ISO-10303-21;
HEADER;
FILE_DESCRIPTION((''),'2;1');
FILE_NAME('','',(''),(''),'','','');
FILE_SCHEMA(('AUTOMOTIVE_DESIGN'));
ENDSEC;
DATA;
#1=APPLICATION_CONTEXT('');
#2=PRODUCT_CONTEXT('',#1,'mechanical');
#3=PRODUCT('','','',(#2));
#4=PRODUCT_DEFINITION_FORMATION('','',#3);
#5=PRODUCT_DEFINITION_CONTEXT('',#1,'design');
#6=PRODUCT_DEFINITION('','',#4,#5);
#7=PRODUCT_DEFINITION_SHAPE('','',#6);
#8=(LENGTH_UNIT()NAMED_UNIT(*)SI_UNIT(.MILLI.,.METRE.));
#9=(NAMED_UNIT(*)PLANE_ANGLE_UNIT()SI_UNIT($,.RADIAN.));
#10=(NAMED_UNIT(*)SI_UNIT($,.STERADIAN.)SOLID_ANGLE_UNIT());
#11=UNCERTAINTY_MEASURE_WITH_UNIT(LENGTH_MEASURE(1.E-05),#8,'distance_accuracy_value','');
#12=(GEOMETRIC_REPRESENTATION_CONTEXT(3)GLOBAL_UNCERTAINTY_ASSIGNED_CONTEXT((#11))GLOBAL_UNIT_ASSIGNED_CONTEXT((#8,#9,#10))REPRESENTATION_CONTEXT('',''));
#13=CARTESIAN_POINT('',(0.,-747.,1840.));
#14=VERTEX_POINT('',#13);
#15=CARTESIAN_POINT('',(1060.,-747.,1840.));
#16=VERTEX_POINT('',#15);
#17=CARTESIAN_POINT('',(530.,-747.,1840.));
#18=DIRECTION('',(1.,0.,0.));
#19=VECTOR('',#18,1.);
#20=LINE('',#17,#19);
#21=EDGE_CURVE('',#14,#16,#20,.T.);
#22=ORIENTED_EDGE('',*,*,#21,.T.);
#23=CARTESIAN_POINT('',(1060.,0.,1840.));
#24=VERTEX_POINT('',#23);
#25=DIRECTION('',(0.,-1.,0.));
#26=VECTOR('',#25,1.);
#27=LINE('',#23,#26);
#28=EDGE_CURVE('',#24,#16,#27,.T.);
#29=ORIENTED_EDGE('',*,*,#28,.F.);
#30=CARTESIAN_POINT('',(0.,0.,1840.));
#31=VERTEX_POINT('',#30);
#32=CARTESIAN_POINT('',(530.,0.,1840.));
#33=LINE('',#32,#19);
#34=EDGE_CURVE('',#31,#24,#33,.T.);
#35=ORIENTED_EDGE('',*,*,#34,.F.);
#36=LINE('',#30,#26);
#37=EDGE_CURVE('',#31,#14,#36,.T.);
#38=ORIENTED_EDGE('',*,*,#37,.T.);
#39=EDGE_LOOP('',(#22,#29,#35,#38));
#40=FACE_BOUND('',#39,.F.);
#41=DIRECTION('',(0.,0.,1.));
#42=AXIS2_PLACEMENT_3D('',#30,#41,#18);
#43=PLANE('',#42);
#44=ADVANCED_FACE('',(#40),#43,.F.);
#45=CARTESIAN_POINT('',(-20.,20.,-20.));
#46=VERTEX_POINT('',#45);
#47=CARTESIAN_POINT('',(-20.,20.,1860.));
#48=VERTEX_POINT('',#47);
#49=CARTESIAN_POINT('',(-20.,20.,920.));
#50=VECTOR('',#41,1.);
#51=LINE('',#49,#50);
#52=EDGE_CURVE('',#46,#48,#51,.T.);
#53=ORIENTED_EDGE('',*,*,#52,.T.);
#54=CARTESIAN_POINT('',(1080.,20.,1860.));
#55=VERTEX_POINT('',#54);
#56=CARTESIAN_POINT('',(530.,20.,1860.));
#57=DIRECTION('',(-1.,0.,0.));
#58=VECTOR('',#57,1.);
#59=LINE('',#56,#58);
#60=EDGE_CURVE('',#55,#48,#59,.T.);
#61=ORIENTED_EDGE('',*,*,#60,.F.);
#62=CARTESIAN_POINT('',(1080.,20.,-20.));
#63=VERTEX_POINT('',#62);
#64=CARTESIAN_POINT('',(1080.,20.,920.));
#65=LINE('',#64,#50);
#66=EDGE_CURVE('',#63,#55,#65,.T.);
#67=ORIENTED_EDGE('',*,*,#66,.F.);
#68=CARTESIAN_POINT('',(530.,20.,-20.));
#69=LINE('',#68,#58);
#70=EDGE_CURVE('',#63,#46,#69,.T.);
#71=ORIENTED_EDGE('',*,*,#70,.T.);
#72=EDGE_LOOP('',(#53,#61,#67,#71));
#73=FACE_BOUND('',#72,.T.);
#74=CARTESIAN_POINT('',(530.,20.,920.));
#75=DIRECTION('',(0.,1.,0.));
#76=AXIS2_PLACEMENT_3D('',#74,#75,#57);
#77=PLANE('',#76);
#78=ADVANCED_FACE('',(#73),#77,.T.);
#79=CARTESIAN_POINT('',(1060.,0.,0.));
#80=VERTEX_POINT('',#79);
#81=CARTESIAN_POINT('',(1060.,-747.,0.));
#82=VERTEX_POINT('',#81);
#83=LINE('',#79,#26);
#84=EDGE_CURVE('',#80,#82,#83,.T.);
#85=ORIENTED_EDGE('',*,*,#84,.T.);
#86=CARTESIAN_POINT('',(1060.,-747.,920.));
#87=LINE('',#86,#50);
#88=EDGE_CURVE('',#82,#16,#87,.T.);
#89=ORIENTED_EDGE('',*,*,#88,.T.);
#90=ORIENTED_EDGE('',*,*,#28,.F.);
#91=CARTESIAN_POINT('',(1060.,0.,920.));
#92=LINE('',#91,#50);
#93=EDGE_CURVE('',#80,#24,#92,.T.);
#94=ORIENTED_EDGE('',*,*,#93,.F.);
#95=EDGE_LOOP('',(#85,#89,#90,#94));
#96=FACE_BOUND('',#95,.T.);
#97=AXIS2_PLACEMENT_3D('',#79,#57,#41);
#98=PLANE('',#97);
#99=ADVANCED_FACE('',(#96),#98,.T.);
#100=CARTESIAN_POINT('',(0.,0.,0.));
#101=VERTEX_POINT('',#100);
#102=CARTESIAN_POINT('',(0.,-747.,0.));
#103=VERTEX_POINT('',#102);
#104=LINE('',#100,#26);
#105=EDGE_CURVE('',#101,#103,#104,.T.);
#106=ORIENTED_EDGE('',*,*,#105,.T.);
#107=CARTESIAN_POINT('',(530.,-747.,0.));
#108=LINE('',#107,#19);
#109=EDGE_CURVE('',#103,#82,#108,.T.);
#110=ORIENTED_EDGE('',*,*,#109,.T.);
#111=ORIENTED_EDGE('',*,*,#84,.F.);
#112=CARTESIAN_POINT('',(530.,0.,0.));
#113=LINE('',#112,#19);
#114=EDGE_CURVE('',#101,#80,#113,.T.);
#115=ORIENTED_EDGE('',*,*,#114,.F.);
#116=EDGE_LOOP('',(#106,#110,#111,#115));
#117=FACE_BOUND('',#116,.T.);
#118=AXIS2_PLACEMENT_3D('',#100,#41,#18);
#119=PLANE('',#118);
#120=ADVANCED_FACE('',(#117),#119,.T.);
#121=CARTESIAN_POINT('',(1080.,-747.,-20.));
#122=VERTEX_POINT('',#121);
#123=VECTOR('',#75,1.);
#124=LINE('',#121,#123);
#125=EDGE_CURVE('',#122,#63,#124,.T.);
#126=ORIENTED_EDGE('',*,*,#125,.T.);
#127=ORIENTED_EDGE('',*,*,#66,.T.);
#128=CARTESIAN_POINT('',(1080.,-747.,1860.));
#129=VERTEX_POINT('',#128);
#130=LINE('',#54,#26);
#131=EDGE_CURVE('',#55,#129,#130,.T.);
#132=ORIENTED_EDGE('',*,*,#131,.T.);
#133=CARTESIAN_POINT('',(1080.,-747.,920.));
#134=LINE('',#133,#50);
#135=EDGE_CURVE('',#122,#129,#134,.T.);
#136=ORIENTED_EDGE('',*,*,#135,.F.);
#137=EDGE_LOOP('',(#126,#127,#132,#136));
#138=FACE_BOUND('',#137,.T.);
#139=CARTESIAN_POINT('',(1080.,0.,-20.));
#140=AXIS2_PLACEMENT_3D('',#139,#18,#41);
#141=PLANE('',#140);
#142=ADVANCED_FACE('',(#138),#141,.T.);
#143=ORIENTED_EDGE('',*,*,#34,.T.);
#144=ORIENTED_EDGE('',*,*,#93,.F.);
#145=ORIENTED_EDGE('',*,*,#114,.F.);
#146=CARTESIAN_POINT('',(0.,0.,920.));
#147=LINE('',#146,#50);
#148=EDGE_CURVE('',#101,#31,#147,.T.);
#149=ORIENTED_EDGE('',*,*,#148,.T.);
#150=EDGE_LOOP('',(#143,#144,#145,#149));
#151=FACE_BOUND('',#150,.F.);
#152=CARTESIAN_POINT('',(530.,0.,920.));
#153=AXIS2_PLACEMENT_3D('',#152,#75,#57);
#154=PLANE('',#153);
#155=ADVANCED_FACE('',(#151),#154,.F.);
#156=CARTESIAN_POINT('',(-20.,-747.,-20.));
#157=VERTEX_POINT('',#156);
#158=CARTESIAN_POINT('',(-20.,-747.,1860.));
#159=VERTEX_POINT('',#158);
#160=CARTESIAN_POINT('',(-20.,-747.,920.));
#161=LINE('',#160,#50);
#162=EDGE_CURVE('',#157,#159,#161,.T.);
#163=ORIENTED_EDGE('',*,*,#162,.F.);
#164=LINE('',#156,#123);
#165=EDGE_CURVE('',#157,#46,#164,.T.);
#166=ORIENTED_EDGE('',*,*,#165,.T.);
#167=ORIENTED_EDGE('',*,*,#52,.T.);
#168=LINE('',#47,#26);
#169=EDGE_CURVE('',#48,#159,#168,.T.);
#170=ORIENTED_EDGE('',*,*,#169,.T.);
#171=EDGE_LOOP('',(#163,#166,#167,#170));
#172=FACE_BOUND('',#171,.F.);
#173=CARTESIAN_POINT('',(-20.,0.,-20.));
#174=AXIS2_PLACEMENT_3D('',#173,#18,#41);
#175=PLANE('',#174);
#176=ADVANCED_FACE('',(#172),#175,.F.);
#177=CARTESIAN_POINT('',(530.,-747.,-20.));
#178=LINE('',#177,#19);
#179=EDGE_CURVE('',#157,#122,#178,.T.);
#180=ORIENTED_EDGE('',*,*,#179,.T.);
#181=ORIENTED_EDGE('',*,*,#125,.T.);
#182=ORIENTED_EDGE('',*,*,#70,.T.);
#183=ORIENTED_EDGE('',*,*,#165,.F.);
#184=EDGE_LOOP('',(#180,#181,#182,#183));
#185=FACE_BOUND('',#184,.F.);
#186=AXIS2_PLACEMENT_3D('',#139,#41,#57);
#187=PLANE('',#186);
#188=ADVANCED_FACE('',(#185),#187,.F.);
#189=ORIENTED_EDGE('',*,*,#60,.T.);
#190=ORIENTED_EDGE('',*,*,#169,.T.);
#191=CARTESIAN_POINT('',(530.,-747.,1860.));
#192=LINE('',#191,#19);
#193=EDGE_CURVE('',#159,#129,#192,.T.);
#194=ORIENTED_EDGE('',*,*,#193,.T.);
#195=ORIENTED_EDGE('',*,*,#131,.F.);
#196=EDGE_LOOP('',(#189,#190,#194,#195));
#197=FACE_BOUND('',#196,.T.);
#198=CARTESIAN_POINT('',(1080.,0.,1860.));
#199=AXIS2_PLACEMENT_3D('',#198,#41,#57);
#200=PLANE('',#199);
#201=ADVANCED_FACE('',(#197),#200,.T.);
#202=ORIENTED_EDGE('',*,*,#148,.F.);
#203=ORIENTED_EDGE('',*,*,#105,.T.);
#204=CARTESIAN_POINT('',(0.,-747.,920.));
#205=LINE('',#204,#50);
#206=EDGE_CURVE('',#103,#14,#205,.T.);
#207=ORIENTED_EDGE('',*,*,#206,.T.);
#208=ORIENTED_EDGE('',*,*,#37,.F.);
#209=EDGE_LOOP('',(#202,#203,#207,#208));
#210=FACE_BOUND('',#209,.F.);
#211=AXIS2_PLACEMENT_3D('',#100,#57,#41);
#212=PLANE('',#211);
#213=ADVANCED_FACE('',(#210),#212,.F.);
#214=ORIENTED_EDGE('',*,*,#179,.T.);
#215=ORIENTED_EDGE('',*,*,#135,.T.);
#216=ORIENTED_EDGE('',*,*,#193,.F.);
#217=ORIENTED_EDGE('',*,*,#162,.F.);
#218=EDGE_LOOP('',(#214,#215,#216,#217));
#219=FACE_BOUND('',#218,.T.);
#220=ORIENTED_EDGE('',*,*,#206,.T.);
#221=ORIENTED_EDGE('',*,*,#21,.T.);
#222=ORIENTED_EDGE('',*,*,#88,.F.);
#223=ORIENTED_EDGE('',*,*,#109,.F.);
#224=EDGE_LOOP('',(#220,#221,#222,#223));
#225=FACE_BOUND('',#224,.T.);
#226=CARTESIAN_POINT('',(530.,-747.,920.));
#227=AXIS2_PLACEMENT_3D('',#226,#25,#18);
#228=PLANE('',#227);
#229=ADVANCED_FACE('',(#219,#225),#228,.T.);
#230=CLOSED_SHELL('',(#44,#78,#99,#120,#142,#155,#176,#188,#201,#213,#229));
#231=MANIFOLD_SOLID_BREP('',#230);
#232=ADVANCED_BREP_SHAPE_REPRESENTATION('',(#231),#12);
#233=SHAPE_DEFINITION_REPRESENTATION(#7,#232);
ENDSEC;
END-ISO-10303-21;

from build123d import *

# Parameters (mm, degrees)
F1_W     = 1100
F1_H     = 1880
F1_W_2   = 1060
F1_H_2   = 1840
F2_DEPTH = 747
F3_W     = 1100
F3_H     = 1880
F4_DEPTH = 20


with BuildPart() as f2:
    # F1 (on face) → F2 (new body)
    with BuildSketch(Plane.XZ):
        with Locations((530, 920)):
            Rectangle(F1_W, F1_H)
        with Locations((530, 920)):
            Rectangle(F1_W_2, F1_H_2, mode=Mode.SUBTRACT)
    extrude(amount=F2_DEPTH)

    # F3 (on face) → F4 (join)
    with BuildSketch(Plane(origin=(0, 0, 0), x_dir=(-1, 0, 0), z_dir=(0, 1, 0))):
        with Locations((-530, 920)):
            Rectangle(F3_W, F3_H)
    extrude(amount=F4_DEPTH)


solid = f2.part
